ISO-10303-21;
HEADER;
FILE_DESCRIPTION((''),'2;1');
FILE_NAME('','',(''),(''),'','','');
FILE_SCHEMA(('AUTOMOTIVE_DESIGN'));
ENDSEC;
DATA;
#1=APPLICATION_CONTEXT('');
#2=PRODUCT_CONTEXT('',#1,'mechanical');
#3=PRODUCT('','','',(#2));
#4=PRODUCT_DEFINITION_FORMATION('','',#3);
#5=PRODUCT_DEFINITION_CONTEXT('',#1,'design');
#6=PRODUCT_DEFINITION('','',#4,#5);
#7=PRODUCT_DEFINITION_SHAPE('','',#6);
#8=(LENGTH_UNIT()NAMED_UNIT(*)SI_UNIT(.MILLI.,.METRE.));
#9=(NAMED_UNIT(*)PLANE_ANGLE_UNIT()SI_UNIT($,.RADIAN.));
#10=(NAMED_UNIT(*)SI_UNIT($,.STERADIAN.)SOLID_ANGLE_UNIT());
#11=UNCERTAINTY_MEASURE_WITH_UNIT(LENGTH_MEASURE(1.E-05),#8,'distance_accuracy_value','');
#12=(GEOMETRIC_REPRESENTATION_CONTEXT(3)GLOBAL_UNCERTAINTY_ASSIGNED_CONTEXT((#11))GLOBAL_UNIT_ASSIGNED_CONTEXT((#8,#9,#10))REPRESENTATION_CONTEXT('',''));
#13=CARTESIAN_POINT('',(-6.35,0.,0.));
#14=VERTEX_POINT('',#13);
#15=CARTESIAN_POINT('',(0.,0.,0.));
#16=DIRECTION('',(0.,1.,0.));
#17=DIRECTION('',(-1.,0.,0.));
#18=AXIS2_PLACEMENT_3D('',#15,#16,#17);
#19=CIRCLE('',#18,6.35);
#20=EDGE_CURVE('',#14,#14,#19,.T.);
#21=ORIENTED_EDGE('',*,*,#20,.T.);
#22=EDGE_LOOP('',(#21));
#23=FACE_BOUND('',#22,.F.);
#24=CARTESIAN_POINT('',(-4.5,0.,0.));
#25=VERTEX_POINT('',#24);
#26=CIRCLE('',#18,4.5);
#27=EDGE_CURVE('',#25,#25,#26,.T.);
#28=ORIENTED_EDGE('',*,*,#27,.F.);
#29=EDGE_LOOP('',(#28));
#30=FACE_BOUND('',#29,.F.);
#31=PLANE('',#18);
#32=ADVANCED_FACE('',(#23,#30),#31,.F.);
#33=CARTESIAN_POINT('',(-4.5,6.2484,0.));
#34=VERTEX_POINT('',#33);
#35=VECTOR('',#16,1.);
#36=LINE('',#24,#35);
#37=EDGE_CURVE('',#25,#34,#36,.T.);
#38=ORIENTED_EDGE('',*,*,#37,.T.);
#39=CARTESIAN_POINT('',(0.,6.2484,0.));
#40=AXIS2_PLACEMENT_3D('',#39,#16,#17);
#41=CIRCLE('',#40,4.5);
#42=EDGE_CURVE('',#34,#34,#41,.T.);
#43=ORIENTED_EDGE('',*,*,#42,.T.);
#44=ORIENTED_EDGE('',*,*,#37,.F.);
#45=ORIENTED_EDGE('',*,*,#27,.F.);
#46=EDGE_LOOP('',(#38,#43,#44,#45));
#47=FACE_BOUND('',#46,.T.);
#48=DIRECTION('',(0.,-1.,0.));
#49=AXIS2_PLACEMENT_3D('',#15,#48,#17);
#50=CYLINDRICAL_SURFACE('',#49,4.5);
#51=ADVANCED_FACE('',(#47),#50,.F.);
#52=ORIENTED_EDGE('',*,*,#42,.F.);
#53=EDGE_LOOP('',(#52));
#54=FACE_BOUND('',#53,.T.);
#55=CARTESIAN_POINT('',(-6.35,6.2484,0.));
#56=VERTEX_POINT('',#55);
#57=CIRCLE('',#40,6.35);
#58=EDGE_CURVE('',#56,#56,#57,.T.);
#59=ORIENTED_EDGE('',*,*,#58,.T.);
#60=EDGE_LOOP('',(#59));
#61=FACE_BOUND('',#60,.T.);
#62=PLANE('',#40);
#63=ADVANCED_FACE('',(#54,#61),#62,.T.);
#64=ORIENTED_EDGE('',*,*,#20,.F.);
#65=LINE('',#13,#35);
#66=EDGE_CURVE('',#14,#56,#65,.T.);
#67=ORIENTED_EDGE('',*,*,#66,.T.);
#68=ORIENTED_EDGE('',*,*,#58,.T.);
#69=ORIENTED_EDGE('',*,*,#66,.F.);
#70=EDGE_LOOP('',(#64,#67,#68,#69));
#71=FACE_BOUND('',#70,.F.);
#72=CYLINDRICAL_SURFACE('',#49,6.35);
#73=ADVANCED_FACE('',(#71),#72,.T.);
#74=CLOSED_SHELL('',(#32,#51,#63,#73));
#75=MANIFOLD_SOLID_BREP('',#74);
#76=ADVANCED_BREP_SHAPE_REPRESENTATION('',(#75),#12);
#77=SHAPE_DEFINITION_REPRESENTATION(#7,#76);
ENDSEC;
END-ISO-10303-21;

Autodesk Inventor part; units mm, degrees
ref_plane "YZ Plane" through (0, 0, 0) normal (1, 0, 0) x (0, 1, 0)
ref_plane "XZ Plane" through (0, 0, 0) normal (0, 1, 0) x (-1, 0, 0)
ref_plane "XY Plane" through (0, 0, 0) normal (0, 0, 1) x (1, 0, 0)
sketch "Sketch1" plane through (0, 0, 0) normal (0, 1, 0) x (-1, 0, 0)
  circle A0 centre (0, 0) radius 4.5
  circle A1 centre (0, 0) radius 6.35
  dimension "d0" = 9
  dimension "d1" = 12.7
extrude "Extrusion1" add sketch "Sketch1" along normal blind 6.2484
properties part number "ELEV_030_SPACER5" material "ABS Plastic"
